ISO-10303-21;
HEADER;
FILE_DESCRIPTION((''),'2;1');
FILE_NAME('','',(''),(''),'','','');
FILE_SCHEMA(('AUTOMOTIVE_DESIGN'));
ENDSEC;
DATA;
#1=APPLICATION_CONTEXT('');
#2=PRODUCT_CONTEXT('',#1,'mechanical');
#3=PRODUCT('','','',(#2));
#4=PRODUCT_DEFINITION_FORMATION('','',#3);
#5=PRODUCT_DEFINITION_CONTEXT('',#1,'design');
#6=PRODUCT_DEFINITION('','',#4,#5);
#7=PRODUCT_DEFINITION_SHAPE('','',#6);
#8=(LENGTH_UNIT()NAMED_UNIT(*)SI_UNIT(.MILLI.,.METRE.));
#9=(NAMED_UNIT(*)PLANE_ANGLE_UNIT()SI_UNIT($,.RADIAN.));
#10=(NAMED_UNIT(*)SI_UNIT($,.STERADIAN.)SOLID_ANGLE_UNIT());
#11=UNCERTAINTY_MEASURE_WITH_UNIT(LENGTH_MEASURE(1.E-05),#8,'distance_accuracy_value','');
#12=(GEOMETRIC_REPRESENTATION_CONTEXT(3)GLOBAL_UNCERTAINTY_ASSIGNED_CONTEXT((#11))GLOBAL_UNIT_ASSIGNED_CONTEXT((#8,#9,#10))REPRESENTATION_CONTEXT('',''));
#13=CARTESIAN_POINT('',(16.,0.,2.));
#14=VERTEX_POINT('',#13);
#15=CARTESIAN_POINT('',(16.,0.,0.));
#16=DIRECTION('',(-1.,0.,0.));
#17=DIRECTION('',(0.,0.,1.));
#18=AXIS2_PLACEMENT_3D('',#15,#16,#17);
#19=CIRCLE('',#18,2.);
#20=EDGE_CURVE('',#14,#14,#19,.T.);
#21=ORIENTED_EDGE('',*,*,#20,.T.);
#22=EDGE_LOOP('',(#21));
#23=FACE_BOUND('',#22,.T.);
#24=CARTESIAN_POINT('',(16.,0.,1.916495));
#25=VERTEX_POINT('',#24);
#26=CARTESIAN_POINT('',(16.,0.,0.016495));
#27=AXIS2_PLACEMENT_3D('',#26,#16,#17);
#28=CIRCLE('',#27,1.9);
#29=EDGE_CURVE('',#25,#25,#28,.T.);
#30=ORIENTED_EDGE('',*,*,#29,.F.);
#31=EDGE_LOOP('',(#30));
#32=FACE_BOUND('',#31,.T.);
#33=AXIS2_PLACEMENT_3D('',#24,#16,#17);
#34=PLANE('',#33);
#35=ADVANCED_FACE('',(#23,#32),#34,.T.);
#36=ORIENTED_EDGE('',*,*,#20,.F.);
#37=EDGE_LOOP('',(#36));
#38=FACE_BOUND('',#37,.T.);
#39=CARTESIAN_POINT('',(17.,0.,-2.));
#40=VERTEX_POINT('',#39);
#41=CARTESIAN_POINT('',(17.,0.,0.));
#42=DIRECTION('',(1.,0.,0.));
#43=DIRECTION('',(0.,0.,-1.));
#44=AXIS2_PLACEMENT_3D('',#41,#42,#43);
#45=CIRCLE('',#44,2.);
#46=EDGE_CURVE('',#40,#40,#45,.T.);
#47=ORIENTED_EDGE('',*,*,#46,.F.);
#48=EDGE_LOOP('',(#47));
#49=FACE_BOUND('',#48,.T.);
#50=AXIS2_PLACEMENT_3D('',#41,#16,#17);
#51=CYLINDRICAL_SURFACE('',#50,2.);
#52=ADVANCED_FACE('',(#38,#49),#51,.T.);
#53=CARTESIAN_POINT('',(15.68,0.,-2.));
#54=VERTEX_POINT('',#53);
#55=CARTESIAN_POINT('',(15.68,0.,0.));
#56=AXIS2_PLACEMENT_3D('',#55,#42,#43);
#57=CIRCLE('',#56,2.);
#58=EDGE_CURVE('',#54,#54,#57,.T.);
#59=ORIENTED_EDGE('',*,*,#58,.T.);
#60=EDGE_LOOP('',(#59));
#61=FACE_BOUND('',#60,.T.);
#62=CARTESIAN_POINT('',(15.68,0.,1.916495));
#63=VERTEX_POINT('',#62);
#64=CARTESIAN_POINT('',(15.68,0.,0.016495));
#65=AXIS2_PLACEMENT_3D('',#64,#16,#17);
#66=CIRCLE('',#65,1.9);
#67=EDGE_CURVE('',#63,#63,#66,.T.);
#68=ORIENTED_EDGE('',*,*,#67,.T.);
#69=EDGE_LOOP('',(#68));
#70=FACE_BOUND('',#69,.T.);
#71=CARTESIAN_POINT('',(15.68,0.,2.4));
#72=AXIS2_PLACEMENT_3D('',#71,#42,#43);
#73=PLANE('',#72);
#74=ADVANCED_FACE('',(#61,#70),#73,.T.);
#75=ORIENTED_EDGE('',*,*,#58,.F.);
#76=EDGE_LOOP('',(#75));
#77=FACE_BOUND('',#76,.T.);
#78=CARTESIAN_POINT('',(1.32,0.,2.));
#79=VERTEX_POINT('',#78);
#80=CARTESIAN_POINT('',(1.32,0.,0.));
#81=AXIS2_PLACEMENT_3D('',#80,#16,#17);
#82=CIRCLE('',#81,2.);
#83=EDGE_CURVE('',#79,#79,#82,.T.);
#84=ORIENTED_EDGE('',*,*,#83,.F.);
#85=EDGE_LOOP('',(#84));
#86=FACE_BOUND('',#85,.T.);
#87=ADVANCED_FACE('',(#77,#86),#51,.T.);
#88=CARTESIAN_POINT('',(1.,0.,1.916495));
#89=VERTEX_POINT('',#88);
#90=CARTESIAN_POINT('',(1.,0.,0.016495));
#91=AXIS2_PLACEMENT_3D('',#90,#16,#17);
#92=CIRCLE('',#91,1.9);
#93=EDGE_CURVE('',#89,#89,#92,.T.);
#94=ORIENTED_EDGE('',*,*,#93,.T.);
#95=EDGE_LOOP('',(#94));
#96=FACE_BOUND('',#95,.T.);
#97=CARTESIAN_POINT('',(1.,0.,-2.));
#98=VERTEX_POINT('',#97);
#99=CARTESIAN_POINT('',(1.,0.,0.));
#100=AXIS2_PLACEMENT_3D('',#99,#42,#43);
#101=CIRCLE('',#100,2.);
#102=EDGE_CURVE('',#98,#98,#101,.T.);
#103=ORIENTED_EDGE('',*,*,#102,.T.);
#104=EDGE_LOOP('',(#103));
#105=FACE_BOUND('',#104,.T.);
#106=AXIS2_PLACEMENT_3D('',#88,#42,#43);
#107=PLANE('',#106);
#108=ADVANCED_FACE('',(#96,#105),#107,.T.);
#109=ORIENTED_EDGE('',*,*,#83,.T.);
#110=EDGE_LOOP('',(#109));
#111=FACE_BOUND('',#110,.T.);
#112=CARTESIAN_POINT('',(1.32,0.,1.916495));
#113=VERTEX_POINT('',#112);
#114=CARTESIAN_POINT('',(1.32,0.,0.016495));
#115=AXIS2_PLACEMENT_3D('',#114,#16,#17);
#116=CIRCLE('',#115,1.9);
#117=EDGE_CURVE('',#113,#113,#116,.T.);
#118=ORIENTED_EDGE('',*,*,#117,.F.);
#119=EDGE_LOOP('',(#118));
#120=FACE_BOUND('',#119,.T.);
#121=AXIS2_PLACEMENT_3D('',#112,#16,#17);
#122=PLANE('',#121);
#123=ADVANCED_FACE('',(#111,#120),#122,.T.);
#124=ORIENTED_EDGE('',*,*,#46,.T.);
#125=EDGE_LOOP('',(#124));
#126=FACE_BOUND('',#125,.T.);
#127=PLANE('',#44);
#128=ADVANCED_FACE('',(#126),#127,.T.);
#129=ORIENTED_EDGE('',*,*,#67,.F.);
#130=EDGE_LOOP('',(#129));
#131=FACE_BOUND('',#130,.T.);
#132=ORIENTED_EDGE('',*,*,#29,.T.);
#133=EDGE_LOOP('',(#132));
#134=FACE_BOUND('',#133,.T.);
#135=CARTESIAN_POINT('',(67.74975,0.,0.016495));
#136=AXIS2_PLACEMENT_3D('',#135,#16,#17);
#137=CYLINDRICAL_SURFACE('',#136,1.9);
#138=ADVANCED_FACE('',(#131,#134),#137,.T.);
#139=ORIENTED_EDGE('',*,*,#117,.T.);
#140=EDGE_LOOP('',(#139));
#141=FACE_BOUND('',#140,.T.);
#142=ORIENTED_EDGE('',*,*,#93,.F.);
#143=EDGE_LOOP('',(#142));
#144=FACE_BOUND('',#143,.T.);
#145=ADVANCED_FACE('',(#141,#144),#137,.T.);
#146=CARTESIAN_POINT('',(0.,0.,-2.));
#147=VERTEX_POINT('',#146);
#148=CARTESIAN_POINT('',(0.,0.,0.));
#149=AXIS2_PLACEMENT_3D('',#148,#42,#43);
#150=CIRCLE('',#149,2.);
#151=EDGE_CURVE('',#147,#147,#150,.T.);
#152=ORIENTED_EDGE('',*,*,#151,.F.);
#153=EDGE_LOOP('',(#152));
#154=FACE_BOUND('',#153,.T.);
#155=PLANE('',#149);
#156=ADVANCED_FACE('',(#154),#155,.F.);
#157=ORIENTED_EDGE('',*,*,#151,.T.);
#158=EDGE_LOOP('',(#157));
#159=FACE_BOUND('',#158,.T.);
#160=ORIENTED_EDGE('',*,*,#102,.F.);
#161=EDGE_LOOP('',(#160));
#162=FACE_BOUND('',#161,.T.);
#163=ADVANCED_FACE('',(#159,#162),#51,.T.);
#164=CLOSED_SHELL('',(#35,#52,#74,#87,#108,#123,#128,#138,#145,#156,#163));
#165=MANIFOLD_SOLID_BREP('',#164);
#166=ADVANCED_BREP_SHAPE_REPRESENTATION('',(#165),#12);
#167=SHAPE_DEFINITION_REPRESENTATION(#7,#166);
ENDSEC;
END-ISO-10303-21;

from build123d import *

# Parameters (mm, degrees)
SKETCH1_R           = 2
BOSS_EXTRUDE1_DEPTH = 17
SKETCH3_W           = 0.483504557
SKETCH3_H           = 0.32
SKETCH3_W_2         = 1.446691601


with BuildPart() as part:
    # Sketch1 → Boss-Extrude1 (new body)
    with BuildSketch(Plane(origin=(0, 0, 0), x_dir=(0, 0, -1), z_dir=(1, 0, 0))):
        Circle(SKETCH1_R)
    extrude(amount=BOSS_EXTRUDE1_DEPTH)

    # Sketch3 → Groove for ANSI B27.7 - 3AM1-4, Basic External Retaining Ring1 (revolve, cut)
    with BuildSketch(Plane(origin=(15, 0, 0), x_dir=(0, 0, 1), z_dir=(0, -1, 0))):
        with Locations((2.158247722, -0.84)):
            Rectangle(SKETCH3_W, SKETCH3_H)
        with Locations((2.639841244, 13.84)):
            Rectangle(SKETCH3_W_2, SKETCH3_H)
    revolve(axis=Axis((67.749749937, 0, 0.016495443), (-1, 0, 0)), mode=Mode.SUBTRACT)


solid = part.part
